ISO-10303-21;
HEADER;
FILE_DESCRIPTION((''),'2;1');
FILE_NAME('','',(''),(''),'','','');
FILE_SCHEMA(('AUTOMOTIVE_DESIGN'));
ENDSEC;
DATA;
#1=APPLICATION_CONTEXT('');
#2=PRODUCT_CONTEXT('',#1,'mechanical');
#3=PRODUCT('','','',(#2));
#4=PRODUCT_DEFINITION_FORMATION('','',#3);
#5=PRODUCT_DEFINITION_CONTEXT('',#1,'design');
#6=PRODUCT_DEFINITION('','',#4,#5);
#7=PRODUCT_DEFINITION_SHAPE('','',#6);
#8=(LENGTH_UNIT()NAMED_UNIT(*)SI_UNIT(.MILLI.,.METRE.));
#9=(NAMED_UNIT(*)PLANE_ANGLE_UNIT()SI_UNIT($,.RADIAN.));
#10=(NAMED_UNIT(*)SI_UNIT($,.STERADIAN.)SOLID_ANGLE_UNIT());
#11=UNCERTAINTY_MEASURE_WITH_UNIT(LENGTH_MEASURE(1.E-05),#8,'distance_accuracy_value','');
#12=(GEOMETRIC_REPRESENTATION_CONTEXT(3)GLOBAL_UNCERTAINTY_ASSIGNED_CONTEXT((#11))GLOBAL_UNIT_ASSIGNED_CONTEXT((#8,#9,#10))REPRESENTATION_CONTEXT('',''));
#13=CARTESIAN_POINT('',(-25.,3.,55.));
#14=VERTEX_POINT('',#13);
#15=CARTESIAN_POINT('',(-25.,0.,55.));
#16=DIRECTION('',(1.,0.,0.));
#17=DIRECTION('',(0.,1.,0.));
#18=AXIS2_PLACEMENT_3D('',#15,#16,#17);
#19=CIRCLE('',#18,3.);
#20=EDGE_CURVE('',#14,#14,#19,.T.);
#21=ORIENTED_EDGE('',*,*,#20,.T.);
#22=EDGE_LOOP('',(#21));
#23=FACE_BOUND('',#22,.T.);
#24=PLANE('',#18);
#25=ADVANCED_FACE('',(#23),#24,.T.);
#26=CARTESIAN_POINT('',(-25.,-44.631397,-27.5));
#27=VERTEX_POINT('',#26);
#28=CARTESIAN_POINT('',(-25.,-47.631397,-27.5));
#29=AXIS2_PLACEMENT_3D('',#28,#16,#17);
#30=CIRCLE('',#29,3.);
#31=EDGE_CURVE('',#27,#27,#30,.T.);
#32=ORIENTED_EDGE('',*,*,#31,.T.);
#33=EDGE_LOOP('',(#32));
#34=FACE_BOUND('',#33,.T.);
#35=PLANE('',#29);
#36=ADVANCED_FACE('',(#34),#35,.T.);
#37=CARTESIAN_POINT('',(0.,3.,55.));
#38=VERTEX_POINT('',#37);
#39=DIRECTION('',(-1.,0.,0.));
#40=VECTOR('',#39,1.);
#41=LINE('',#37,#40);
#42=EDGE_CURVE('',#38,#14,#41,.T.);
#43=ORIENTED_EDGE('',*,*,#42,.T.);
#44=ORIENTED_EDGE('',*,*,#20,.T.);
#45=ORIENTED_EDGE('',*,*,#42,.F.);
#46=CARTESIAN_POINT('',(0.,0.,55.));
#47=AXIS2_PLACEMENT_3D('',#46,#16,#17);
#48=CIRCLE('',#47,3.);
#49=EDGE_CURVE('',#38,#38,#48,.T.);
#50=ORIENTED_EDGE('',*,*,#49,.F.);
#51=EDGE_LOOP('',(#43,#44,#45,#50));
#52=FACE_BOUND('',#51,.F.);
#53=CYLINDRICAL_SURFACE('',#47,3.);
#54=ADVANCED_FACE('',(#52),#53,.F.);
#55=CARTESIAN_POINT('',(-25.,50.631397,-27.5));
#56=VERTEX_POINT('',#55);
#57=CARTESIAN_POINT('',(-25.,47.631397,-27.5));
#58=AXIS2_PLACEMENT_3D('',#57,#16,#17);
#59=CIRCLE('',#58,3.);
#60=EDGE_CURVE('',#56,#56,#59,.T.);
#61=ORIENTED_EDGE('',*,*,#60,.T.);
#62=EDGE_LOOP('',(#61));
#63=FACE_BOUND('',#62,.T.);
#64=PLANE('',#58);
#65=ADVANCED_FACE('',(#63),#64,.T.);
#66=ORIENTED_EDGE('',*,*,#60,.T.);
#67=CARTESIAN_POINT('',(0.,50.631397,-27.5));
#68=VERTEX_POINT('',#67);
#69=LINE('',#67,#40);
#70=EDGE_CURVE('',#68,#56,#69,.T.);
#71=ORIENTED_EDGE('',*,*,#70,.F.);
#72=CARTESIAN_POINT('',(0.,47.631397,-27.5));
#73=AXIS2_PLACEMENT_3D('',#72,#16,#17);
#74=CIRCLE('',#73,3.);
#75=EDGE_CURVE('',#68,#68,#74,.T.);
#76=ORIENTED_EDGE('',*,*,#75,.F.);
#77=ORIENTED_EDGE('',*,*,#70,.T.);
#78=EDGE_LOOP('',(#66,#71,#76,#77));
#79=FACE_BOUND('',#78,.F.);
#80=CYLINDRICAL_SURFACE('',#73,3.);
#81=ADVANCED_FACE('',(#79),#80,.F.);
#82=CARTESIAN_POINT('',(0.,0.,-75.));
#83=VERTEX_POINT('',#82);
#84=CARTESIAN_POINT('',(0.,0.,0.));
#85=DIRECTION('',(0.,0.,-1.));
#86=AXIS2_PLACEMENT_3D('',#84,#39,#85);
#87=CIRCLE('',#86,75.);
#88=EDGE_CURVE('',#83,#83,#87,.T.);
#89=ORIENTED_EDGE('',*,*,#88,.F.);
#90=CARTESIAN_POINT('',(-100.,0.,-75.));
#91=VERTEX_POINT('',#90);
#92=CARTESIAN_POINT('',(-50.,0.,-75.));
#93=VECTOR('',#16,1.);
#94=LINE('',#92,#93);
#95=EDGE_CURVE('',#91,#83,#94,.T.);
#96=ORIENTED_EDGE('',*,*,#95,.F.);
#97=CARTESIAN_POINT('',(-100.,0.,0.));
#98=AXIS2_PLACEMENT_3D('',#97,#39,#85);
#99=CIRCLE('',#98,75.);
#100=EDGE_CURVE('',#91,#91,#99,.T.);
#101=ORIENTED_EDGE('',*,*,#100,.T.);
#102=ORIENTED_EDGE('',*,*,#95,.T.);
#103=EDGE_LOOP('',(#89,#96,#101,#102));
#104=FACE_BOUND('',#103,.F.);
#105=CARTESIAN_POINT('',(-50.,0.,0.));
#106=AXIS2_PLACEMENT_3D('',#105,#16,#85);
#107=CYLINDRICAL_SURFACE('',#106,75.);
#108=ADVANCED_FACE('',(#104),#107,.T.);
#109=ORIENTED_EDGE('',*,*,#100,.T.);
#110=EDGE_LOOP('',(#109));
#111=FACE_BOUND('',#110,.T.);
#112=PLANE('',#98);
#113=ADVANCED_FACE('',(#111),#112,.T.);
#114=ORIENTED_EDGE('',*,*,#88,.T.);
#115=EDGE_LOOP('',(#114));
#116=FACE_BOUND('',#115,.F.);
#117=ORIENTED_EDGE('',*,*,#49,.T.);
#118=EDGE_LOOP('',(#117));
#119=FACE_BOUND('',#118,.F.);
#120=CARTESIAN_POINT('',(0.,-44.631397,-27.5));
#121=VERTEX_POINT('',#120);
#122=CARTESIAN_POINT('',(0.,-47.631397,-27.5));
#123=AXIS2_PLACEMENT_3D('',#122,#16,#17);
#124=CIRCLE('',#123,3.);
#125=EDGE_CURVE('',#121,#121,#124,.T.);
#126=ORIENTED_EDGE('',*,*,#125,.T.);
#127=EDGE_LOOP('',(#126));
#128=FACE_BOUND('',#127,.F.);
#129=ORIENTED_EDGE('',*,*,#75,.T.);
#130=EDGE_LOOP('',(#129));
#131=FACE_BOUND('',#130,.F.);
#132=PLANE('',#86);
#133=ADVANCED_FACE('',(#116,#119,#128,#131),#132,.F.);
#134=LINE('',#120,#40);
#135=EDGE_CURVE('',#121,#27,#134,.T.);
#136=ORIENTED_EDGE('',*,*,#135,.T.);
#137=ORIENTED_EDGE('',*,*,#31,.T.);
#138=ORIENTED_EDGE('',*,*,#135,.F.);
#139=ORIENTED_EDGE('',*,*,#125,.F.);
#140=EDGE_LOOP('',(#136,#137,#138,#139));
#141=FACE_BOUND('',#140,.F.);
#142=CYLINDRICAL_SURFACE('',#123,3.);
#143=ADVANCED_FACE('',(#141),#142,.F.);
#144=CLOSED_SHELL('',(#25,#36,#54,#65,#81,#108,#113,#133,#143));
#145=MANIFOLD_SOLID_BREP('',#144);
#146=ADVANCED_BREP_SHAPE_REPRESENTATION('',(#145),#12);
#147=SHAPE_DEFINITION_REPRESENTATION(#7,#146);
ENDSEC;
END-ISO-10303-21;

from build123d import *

# Parameters (mm, degrees)
F0_W     = 100
F0_H     = 75
F2_R     = 3
F3_DEPTH = 25


with BuildPart() as f1:
    # F0 (on Front) → F1 (revolve)
    with BuildSketch(Plane.XZ):
        with Locations((-50, -37.5)):
            Rectangle(F0_W, F0_H)
    revolve(axis=Axis((-50, 0, 0), (-1, 0, 0)))

    # F2 (on Right) → F3 (cut)
    with BuildSketch(Plane.YZ):
        with Locations((0, 55)):
            Circle(F2_R)
        with Locations((-47.631397, -27.5)):
            Circle(F2_R)
        with Locations((47.631397, -27.5)):
            Circle(F2_R)
    extrude(amount=-F3_DEPTH, mode=Mode.SUBTRACT)


solid = f1.part
